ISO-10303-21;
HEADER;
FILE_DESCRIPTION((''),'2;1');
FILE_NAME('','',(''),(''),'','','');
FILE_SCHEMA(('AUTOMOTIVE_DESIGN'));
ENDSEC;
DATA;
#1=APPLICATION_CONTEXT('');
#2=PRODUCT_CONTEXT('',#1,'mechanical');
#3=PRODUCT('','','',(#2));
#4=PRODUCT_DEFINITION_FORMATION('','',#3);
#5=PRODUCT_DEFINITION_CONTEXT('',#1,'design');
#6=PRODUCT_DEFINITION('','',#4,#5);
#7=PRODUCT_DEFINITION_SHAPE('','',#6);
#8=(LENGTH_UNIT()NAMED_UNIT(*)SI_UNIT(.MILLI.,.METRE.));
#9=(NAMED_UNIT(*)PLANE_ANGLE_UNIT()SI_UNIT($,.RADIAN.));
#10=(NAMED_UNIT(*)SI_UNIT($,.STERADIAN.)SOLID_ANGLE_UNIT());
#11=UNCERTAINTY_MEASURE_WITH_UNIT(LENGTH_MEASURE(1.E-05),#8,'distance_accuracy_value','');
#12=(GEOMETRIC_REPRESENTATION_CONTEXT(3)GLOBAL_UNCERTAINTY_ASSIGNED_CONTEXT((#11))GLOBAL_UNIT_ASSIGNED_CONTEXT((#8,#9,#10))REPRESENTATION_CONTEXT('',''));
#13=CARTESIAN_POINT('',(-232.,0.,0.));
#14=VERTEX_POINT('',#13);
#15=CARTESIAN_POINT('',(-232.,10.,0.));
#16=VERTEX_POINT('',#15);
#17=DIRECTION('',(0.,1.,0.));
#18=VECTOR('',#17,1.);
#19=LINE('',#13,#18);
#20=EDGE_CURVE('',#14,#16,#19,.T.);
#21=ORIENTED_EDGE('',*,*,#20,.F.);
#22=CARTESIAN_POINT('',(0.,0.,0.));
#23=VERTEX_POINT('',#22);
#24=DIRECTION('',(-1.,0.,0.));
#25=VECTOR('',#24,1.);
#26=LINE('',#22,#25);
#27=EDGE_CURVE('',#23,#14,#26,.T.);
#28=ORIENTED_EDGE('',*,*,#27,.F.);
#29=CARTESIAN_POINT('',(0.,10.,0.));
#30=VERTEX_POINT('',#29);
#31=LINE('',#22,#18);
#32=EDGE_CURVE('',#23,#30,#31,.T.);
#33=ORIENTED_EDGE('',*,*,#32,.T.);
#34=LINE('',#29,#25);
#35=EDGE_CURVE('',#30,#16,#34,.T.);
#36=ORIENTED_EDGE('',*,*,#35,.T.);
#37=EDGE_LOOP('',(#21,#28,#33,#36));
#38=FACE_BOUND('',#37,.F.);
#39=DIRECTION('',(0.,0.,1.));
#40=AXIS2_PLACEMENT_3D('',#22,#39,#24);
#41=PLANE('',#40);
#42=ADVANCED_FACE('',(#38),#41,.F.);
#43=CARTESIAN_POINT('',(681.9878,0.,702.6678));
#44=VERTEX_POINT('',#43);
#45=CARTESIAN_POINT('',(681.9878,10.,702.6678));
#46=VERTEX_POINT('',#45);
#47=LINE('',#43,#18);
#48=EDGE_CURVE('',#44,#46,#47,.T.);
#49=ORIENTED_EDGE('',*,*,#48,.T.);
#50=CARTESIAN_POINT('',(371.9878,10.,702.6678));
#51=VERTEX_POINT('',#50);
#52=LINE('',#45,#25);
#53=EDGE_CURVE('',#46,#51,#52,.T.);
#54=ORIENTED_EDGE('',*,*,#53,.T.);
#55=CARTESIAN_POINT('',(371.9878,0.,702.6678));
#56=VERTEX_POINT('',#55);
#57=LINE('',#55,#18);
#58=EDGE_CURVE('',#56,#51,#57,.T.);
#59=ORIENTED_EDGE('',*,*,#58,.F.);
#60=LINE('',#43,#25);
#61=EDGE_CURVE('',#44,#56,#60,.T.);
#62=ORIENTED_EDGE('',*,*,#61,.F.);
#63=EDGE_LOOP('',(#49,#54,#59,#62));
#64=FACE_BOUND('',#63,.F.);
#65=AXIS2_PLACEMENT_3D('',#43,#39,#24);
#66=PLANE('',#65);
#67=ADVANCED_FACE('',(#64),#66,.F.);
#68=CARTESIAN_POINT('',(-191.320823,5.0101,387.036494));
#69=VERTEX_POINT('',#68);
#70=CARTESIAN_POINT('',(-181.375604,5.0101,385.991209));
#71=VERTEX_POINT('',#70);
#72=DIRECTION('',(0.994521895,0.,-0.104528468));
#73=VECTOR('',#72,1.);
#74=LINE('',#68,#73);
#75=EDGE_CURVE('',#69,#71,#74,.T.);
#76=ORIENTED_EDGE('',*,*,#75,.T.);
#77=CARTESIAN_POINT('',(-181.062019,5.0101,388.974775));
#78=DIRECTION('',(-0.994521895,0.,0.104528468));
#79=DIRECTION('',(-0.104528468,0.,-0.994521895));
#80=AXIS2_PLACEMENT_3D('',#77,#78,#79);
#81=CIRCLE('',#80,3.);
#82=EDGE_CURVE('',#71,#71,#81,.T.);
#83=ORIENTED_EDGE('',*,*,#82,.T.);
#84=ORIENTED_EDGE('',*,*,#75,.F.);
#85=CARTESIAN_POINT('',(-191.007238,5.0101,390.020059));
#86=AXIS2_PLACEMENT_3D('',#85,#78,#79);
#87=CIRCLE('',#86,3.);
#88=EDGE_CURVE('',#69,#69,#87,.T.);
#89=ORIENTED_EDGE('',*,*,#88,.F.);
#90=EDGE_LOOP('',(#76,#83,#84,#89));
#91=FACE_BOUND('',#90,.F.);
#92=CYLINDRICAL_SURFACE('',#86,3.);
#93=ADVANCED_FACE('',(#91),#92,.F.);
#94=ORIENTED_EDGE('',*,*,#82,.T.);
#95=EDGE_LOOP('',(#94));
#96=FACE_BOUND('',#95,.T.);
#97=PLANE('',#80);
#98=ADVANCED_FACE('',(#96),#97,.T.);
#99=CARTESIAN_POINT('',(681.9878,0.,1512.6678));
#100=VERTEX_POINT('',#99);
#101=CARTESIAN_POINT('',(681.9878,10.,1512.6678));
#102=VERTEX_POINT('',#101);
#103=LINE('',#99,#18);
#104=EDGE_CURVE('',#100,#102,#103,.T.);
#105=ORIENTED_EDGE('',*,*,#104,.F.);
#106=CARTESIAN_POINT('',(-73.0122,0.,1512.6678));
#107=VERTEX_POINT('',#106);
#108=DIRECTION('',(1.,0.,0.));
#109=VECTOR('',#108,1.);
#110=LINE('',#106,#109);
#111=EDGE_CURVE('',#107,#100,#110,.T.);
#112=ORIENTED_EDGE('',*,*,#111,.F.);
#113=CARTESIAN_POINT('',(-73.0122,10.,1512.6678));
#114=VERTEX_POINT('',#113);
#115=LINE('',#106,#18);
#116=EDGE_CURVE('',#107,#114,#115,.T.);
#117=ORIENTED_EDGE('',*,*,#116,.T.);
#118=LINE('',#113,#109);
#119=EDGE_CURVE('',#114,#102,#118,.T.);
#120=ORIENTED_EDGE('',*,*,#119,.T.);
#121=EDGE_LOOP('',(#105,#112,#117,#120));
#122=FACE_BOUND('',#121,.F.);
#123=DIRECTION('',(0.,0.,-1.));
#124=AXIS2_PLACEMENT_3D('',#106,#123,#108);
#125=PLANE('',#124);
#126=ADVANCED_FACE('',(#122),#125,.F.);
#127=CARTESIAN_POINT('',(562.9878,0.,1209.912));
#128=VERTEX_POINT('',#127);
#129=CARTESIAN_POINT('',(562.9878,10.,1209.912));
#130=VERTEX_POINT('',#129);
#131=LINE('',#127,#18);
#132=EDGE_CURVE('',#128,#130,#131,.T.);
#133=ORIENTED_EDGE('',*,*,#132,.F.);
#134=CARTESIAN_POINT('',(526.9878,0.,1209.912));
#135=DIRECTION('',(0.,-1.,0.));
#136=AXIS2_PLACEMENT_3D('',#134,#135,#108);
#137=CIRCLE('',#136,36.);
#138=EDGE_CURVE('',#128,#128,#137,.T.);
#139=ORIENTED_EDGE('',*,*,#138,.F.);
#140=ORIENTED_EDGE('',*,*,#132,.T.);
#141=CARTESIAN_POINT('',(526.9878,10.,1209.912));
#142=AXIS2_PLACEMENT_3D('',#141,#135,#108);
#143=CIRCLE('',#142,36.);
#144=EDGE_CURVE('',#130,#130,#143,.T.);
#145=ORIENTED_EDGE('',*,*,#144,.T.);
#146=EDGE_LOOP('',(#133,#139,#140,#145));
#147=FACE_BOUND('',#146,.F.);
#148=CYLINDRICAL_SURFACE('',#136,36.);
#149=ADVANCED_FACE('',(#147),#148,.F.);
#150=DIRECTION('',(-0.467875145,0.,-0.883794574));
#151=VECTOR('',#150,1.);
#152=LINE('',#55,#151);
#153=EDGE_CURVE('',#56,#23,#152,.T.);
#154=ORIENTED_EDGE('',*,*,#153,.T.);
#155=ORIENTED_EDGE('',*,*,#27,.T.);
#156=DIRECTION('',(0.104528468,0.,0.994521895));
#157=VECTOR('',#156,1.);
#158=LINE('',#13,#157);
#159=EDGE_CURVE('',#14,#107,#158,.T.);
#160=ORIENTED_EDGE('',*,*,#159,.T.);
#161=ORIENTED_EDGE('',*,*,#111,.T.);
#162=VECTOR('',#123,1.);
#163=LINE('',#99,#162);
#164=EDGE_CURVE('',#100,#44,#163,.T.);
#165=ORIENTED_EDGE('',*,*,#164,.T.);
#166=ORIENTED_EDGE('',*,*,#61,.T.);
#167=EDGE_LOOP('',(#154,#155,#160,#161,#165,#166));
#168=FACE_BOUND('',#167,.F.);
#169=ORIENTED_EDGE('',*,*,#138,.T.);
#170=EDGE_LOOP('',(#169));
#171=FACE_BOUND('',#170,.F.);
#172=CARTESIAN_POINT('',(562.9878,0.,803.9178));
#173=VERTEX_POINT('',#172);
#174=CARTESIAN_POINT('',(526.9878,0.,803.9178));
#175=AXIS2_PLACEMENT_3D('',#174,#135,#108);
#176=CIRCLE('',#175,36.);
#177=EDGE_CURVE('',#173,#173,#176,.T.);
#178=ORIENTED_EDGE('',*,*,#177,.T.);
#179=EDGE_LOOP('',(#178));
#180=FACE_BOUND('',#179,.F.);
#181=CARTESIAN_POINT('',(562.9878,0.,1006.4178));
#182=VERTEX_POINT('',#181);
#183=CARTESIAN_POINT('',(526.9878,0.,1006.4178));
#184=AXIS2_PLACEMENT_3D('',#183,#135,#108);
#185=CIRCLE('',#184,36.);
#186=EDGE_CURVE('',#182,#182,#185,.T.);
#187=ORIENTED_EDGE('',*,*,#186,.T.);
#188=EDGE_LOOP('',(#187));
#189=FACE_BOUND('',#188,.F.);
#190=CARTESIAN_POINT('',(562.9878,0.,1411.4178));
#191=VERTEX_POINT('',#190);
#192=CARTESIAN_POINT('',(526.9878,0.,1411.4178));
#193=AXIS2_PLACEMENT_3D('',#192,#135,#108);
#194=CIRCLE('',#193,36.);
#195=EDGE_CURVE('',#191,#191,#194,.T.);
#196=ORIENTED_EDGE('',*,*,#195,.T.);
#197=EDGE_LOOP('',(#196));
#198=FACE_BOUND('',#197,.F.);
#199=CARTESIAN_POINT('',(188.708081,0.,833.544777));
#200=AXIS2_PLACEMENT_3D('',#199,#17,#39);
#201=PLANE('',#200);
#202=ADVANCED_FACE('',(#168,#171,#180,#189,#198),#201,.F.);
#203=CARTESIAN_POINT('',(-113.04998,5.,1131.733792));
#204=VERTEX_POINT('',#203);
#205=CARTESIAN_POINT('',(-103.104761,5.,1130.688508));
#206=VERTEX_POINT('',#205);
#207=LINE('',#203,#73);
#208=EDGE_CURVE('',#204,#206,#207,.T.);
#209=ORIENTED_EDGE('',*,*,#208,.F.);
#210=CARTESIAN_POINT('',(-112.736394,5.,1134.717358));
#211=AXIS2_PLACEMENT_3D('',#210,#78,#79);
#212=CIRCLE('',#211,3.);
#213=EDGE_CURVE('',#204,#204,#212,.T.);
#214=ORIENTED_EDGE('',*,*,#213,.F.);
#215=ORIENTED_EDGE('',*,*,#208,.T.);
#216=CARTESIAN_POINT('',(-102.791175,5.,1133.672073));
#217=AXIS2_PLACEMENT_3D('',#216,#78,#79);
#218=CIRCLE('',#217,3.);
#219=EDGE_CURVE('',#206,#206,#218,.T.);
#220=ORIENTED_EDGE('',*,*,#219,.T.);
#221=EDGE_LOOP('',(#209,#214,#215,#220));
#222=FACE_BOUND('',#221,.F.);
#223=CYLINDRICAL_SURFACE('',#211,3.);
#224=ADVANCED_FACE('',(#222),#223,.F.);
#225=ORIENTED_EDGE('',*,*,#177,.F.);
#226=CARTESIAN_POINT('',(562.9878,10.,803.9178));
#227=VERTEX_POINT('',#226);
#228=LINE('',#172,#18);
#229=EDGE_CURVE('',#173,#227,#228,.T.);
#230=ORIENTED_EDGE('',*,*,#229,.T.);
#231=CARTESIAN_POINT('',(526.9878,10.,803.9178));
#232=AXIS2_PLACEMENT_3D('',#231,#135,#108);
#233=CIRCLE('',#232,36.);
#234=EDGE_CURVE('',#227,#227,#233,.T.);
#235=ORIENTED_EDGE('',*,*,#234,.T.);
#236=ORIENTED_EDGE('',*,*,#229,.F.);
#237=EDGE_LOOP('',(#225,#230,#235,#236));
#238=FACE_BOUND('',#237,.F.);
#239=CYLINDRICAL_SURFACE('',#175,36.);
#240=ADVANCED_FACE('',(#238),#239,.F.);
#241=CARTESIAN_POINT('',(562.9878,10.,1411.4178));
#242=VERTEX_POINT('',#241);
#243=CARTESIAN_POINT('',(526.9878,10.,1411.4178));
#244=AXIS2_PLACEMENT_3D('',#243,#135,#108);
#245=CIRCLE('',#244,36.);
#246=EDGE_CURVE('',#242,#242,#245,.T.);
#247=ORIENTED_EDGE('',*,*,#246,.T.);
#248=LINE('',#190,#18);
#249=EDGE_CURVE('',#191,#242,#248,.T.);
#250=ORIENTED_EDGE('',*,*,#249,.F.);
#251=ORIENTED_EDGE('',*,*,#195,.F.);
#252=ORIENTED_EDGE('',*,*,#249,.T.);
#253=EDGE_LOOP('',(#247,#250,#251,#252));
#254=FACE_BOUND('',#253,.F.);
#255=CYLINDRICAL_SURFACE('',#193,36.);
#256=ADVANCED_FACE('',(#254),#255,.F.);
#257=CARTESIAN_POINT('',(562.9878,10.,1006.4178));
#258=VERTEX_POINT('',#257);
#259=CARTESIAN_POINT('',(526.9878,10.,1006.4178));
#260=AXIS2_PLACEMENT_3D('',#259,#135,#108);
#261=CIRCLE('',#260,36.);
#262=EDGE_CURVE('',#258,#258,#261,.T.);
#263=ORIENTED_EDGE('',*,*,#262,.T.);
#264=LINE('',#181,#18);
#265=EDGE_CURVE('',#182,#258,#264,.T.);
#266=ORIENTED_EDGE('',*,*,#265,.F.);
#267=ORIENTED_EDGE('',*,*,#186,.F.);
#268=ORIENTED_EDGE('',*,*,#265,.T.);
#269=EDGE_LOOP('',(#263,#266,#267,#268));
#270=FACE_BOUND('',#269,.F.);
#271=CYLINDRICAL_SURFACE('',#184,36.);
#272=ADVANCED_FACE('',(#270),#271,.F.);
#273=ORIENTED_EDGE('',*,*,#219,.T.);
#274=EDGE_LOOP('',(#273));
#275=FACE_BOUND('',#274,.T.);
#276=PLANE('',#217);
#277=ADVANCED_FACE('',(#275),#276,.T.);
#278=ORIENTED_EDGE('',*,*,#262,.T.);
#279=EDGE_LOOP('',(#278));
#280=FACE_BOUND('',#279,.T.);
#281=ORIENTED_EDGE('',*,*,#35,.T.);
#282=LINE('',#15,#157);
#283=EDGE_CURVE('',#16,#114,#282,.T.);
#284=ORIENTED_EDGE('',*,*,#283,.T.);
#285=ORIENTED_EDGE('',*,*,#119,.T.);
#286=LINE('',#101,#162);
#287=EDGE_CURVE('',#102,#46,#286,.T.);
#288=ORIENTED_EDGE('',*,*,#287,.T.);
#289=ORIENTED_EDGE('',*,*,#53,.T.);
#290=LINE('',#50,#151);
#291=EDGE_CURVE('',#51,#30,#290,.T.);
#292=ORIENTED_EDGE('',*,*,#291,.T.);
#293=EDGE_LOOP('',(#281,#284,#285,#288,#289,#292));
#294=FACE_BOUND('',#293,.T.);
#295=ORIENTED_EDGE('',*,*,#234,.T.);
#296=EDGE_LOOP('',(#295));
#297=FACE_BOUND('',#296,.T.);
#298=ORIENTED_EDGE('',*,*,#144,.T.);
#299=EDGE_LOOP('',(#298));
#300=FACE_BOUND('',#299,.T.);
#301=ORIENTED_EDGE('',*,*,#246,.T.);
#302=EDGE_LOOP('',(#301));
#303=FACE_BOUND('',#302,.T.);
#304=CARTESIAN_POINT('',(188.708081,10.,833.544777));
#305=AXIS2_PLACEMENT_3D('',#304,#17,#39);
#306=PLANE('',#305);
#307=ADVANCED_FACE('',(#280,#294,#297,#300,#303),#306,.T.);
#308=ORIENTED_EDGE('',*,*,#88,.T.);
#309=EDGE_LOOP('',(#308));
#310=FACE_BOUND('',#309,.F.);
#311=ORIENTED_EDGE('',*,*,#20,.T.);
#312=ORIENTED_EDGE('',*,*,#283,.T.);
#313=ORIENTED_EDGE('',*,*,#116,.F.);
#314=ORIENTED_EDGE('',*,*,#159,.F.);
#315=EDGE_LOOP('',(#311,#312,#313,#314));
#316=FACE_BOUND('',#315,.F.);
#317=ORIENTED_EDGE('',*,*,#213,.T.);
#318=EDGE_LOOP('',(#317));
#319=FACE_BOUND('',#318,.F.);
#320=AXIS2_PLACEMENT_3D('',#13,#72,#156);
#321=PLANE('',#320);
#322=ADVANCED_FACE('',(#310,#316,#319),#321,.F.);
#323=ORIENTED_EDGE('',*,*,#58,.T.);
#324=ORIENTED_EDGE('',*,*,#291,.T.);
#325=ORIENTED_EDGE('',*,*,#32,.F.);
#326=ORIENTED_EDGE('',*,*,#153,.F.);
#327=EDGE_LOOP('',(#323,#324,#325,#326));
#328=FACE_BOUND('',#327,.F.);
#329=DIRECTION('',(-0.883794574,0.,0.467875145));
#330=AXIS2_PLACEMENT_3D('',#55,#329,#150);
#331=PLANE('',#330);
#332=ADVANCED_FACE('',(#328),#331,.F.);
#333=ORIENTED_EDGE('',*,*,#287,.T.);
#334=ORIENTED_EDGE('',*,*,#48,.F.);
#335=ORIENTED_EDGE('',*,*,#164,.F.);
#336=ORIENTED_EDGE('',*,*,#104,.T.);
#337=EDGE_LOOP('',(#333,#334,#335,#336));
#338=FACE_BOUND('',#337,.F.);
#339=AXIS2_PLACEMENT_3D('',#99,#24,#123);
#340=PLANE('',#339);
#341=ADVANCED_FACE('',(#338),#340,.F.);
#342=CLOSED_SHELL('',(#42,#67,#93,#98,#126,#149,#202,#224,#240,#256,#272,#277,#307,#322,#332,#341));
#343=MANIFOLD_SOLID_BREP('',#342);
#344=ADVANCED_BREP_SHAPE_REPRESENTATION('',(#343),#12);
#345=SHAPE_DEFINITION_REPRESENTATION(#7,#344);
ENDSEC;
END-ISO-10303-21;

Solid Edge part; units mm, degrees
sketch "Sketch1" plane through (0, 0, 0) normal (0, -1, 0) x (1, 0, 0)
  line L0 (-73.0122, 1512.6678) -> (681.9878, 1512.6678)
  line L1 (681.9878, 1512.6678) -> (681.9878, 702.6678)
  line L2 (681.9878, 702.6678) -> (371.9878, 702.6678)
  line L3 (371.9878, 702.6678) -> (0, 0)
  line L4 (0, 0) -> (-232, 0)
  line L5 (-232, 0) -> (-73.0122, 1512.6678)
extrude "Protrusion1" add sketch "Sketch1" against normal blind 10
sketch "Sketch2" plane through (224.9939, 0, 756.3339) normal (0, -1, 0) x (1, 0, 0)
  circle A0 centre (301.9939, 655.0839) radius 36
  circle A1 centre (301.9939, 453.5781) radius 36
  circle A2 centre (301.9939, 250.0839) radius 36
  circle A3 centre (301.9939, 47.5839) radius 36
extrude "VaciadoExtruido_1" cut sketch "Sketch2" against normal blind 30.0194
sketch "Sketch3" plane through (-152.5061, 5, 756.3339) normal (-0.9945, 0, 0.1045) x (-0.1045, 0, -0.9945)
  circle A0 centre (-380.4677, 0) radius 3
extrude "VaciadoExtruido_2" cut sketch "Sketch3" against normal blind 10
sketch "Sketch4" plane through (-152.5061, 5, 756.3339) normal (-0.9945, 0, 0.1045) x (-0.1045, 0, -0.9945)
  circle A0 centre (368.3316, -0.0101) radius 3
extrude "VaciadoExtruido_3" cut sketch "Sketch4" against normal blind 10
